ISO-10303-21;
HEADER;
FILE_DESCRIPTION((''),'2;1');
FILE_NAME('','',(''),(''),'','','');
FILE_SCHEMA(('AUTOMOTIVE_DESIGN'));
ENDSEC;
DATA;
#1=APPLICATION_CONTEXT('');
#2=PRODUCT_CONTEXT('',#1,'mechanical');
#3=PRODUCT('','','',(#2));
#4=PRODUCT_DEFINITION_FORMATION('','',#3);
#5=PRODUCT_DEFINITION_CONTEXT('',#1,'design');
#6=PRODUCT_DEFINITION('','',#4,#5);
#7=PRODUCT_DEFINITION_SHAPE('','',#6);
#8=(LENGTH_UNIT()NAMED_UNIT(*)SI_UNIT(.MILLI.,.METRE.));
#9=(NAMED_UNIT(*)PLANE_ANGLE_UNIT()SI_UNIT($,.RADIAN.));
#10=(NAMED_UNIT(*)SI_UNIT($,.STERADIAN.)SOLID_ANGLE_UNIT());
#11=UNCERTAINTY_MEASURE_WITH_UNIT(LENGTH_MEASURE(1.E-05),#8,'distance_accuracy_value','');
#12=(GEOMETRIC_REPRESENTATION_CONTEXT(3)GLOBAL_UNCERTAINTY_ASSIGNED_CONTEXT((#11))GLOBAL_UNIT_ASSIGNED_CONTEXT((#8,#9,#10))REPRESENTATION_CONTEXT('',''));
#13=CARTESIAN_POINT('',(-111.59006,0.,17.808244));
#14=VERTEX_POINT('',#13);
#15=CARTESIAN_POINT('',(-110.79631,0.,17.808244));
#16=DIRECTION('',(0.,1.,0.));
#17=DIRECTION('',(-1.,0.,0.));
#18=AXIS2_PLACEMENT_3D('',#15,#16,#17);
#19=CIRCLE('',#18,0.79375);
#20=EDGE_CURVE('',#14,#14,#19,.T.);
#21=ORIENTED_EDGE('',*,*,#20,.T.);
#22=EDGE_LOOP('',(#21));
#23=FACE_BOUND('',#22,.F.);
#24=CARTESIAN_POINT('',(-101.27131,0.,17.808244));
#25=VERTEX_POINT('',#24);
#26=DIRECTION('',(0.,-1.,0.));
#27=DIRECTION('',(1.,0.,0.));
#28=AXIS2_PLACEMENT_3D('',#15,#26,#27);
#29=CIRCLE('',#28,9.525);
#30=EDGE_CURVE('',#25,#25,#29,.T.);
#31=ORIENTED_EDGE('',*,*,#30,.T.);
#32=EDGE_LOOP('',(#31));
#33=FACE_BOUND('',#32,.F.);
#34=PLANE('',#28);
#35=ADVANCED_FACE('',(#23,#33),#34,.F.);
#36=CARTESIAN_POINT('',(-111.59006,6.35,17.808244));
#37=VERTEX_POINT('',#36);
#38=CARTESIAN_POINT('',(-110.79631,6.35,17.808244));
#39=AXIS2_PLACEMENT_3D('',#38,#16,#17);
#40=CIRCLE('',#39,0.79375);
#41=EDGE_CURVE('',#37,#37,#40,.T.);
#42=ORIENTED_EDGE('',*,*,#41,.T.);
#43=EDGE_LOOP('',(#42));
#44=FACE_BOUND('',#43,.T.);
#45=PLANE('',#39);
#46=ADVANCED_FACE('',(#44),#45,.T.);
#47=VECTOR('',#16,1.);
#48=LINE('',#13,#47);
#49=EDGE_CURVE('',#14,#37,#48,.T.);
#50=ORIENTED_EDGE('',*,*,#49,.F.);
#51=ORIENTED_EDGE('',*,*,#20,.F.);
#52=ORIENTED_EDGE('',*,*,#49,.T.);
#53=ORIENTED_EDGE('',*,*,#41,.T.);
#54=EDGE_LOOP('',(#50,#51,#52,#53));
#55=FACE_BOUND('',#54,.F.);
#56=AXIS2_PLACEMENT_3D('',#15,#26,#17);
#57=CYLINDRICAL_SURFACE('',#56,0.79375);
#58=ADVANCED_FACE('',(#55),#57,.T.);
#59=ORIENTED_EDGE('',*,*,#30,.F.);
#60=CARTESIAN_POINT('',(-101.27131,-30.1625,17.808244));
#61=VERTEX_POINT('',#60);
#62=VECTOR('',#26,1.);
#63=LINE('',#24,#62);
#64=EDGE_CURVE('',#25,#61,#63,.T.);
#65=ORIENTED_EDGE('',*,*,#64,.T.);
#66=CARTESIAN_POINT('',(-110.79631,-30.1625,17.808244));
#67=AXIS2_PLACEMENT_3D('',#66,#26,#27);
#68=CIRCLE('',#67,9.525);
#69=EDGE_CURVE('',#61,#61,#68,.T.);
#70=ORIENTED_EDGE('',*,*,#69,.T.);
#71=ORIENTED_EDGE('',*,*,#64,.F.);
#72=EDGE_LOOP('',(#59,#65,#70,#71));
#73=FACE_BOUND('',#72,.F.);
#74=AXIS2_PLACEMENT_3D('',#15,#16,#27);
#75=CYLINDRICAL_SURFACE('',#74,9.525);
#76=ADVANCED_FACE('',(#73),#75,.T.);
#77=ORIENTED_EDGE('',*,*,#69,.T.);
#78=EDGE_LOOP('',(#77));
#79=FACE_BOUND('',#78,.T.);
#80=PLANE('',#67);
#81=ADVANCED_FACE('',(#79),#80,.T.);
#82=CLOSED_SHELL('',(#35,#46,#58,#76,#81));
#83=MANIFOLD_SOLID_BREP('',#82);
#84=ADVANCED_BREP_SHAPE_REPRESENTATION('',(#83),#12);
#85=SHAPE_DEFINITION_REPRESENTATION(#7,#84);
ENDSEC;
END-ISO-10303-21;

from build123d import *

# Parameters (mm, degrees)
F0_R     = 9.525
F1_DEPTH = 30.1625
F2_R     = 0.79375
F3_DEPTH = 6.35


with BuildPart() as f1:
    # F0 (on Front) → F1 (new body)
    with BuildSketch(Plane.XZ):
        with Locations((-110.79631, 17.808244)):
            Circle(F0_R)
    extrude(amount=F1_DEPTH)

    # F2 (on face) → F3 (join)
    with BuildSketch(Plane(origin=(0, 0, 0), x_dir=(-1, 0, 0), z_dir=(0, 1, 0))):
        with Locations((110.79631, 17.808244)):
            Circle(F2_R)
    extrude(amount=F3_DEPTH)


solid = f1.part
